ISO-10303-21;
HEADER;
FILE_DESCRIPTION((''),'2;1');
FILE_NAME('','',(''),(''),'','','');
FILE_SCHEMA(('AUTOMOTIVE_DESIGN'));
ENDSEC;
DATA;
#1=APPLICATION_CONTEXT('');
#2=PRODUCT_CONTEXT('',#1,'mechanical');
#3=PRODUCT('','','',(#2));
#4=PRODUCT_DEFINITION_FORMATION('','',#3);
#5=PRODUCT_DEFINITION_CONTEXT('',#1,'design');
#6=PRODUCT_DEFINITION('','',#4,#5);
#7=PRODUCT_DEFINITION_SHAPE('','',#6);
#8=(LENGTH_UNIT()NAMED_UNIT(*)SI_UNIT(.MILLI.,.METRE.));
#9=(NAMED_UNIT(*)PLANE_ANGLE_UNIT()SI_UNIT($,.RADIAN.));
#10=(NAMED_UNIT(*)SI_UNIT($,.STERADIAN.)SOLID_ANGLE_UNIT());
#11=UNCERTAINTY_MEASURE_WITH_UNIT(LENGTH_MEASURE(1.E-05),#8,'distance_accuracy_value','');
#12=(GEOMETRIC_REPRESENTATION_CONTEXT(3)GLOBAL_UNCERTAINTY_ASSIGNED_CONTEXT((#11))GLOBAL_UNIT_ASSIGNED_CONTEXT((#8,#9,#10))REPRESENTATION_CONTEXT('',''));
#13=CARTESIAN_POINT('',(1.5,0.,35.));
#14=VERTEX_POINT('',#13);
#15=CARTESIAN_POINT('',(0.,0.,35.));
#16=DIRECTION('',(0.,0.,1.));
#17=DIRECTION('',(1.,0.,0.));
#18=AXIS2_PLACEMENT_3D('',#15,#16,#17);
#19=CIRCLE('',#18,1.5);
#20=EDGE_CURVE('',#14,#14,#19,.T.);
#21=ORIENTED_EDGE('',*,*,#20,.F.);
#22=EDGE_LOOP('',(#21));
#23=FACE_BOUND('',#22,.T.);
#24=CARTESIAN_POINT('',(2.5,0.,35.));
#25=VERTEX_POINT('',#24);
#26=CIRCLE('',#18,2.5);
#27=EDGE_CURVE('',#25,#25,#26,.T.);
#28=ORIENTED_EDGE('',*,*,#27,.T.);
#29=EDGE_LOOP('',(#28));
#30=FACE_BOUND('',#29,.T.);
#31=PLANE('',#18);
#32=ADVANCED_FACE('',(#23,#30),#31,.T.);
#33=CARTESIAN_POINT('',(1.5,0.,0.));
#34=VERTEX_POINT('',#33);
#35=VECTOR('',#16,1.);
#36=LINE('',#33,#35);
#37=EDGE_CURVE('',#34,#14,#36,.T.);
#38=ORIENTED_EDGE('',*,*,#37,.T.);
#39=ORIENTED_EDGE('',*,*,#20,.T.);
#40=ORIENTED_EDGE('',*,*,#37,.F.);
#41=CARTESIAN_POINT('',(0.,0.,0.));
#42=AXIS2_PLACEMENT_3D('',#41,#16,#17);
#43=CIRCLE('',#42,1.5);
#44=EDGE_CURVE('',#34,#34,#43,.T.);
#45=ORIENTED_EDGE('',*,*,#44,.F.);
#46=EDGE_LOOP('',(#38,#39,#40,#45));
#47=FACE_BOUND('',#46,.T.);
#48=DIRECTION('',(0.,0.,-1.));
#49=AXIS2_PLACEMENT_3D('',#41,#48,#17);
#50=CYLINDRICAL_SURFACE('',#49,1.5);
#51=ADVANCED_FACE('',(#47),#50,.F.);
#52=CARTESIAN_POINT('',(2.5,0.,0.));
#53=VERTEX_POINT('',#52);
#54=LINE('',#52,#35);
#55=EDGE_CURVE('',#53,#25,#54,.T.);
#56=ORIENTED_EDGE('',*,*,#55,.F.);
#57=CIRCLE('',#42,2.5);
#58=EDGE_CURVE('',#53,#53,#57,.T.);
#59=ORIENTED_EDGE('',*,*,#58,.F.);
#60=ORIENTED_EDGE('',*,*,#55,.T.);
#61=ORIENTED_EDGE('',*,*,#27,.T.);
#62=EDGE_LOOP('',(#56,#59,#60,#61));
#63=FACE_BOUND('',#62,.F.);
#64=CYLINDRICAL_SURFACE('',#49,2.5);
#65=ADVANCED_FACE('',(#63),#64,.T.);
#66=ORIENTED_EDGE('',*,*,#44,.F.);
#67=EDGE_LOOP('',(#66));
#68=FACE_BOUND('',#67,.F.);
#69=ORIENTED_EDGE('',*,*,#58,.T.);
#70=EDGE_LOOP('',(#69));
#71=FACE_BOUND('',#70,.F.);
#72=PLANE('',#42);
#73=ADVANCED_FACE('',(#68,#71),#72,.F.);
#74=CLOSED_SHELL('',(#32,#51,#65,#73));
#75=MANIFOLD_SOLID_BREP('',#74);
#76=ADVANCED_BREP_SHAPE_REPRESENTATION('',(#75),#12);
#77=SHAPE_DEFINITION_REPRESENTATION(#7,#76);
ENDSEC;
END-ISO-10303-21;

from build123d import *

# Parameters (mm, degrees)
SKETCH_R   = 2.5
SKETCH_R_2 = 1.5
PAD_DEPTH  = 35


with BuildPart() as part:
    # Sketch → Pad (new body)
    with BuildSketch(Plane.XY):
        Circle(SKETCH_R)
        Circle(SKETCH_R_2, mode=Mode.SUBTRACT)
    extrude(amount=PAD_DEPTH)


solid = part.part
